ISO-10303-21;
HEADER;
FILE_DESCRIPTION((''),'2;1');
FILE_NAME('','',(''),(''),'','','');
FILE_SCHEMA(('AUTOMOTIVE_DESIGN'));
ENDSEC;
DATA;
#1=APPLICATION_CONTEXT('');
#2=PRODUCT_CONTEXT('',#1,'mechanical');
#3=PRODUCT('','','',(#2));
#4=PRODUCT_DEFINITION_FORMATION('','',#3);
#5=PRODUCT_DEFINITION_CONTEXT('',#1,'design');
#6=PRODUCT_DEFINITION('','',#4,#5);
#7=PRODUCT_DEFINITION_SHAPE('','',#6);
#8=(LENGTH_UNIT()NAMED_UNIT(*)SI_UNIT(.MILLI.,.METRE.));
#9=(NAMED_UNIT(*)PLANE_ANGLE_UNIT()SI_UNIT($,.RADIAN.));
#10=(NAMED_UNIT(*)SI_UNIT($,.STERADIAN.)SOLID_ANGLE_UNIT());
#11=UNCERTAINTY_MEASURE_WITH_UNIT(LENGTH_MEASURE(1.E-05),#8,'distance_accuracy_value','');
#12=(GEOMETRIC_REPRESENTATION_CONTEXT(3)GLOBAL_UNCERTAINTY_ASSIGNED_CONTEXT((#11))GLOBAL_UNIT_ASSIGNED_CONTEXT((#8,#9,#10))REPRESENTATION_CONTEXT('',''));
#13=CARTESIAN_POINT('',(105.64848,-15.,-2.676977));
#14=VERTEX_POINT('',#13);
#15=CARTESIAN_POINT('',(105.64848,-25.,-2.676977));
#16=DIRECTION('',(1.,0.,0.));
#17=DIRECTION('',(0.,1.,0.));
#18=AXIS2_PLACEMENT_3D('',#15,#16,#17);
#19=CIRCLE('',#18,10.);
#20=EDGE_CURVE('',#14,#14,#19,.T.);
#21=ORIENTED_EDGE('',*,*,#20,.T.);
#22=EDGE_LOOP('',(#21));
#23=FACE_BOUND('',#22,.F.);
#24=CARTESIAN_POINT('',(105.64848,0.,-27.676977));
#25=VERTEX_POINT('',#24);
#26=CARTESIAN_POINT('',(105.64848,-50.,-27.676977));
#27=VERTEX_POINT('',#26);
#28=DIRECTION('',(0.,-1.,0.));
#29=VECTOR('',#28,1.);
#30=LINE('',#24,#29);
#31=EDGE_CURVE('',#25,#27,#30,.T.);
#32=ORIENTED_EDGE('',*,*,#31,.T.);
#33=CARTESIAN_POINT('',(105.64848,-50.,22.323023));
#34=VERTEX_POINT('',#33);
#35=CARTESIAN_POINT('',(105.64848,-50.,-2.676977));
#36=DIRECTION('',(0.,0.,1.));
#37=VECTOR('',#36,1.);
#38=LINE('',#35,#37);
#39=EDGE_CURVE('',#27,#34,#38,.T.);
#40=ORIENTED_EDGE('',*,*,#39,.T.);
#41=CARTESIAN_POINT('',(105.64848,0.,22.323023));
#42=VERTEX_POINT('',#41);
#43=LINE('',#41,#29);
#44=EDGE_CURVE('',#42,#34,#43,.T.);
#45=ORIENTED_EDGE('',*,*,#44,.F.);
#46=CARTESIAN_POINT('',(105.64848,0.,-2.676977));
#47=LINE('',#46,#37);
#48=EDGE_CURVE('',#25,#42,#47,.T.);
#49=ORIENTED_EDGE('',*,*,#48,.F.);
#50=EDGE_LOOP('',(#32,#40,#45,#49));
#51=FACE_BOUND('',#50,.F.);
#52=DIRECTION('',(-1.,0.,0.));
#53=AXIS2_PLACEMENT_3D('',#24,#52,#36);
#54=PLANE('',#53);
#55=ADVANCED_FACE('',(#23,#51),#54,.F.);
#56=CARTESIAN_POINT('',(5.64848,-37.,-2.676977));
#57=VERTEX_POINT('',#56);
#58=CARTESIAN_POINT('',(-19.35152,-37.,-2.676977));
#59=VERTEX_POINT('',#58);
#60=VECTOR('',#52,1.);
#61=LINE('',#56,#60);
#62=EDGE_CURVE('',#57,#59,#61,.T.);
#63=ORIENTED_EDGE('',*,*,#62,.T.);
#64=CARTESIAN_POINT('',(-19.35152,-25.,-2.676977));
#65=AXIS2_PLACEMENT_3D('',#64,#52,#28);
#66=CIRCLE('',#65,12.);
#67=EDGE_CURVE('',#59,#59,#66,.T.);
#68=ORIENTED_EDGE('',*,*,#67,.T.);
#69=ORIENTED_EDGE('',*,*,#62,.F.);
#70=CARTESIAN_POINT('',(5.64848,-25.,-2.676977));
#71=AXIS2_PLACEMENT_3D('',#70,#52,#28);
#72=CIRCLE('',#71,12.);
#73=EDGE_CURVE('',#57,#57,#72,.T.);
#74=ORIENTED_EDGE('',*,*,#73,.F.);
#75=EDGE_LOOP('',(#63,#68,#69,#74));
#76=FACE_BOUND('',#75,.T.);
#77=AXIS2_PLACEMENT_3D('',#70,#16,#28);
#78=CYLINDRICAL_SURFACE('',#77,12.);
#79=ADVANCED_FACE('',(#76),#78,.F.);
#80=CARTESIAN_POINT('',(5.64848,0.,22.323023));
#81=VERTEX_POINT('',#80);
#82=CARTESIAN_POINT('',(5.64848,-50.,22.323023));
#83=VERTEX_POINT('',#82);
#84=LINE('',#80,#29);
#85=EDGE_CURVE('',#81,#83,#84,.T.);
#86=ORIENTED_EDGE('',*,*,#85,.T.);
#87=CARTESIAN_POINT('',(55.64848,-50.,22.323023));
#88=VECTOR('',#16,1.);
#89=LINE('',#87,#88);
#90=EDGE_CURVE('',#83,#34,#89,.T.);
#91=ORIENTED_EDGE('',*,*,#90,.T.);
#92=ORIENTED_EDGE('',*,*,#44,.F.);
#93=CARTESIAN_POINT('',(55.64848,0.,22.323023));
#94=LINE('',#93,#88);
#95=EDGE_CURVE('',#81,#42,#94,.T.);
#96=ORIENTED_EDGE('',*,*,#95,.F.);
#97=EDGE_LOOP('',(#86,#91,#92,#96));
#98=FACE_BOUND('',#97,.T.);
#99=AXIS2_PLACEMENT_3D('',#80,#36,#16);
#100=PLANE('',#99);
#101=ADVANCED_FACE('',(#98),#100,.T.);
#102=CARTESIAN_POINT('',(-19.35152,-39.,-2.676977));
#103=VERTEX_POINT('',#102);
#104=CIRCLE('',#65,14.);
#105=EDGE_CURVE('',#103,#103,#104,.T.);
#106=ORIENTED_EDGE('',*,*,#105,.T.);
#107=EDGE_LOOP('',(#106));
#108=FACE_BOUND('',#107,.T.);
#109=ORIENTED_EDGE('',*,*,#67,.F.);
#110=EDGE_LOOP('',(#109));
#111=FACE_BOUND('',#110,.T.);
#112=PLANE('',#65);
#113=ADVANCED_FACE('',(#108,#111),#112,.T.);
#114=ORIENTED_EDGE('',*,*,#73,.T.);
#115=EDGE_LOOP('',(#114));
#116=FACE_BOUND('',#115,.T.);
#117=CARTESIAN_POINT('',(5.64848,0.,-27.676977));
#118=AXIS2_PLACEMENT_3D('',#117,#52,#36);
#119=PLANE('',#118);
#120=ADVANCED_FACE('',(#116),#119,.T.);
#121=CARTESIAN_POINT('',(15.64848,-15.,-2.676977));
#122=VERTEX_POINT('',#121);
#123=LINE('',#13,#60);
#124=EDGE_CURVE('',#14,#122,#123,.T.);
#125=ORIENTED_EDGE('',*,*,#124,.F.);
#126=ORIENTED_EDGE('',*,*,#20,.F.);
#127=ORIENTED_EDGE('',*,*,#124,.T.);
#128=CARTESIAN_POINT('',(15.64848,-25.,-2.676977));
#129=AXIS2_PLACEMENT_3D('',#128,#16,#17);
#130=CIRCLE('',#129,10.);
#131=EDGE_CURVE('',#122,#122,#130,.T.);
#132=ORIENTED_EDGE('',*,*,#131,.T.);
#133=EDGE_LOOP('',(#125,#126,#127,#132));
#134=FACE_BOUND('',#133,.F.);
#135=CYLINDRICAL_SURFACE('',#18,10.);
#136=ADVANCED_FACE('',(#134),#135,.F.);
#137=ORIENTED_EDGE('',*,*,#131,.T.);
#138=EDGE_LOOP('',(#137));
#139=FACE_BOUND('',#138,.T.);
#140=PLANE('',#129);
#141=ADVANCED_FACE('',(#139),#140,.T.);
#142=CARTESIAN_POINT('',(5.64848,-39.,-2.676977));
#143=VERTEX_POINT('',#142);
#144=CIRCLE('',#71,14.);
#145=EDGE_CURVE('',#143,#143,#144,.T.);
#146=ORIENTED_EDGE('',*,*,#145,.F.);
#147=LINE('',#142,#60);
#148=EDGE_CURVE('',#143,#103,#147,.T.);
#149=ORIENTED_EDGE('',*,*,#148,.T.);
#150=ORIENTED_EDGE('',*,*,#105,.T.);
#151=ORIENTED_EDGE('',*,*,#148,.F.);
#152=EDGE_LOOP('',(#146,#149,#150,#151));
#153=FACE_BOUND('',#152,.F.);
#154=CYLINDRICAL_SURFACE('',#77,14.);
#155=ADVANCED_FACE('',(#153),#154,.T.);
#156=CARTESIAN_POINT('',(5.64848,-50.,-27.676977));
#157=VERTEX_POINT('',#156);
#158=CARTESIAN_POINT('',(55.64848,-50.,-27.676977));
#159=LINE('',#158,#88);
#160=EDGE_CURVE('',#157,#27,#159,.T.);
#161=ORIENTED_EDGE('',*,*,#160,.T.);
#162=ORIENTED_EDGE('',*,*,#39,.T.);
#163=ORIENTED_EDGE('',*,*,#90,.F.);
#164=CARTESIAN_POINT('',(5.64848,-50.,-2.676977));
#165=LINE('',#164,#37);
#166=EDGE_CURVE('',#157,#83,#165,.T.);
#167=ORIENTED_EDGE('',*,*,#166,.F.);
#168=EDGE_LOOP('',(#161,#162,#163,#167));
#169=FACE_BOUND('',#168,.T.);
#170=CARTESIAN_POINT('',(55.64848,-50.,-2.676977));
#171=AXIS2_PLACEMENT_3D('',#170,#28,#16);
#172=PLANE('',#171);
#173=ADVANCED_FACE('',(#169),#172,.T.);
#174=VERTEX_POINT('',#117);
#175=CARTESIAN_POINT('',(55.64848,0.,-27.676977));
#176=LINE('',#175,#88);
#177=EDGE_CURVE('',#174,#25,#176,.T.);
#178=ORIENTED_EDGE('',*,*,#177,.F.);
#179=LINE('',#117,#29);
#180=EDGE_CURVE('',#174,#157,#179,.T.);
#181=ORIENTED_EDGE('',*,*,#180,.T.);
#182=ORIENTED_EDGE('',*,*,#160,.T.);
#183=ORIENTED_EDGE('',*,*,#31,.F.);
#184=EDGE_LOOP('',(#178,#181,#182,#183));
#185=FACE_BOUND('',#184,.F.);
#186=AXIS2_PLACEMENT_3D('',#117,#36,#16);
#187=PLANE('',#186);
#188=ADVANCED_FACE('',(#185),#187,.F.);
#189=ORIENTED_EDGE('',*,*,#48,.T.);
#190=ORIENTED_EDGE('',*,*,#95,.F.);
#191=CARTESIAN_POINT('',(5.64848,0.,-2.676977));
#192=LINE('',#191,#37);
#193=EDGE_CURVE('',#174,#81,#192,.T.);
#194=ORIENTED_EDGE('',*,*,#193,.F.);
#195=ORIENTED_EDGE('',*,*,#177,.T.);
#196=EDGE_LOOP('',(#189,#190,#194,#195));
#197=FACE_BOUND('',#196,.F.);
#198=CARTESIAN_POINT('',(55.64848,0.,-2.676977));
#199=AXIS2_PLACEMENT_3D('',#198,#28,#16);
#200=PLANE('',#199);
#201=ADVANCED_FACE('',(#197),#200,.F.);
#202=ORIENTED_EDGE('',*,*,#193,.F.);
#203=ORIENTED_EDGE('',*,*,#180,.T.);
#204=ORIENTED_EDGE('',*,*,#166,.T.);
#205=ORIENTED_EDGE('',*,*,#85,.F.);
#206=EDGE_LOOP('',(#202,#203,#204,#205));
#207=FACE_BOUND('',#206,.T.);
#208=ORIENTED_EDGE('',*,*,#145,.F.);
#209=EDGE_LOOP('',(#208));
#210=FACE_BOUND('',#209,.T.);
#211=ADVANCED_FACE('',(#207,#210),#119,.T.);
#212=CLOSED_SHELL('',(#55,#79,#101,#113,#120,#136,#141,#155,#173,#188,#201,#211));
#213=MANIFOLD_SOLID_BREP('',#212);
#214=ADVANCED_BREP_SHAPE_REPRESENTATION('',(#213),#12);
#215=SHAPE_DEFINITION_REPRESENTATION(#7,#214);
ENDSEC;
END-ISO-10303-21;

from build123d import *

# Parameters (mm, degrees)
F0_W     = 100
F0_H     = 50
F1_DEPTH = 50
F2_R     = 14
F2_R_2   = 12
F3_DEPTH = 25
F4_R     = 10
F5_DEPTH = 90


with BuildPart() as f1:
    # F0 (on Front) → F1 (new body)
    with BuildSketch(Plane.XZ):
        with Locations((55.64848, -2.676977)):
            Rectangle(F0_W, F0_H)
    extrude(amount=F1_DEPTH)

    # F2 (on face) → F3 (join)
    with BuildSketch(Plane(origin=(5.64848, 0, 0), x_dir=(0, -1, 0), z_dir=(-1, 0, 0))):
        with Locations((25, -2.676977)):
            Circle(F2_R)
        with Locations((25, -2.676977)):
            Circle(F2_R_2, mode=Mode.SUBTRACT)
    extrude(amount=F3_DEPTH)

    # F4 (on face) → F5 (cut)
    with BuildSketch(Plane.YZ.offset(105.64848)):
        with Locations((-25, -2.676977)):
            Circle(F4_R)
    extrude(amount=-F5_DEPTH, mode=Mode.SUBTRACT)


solid = f1.part
